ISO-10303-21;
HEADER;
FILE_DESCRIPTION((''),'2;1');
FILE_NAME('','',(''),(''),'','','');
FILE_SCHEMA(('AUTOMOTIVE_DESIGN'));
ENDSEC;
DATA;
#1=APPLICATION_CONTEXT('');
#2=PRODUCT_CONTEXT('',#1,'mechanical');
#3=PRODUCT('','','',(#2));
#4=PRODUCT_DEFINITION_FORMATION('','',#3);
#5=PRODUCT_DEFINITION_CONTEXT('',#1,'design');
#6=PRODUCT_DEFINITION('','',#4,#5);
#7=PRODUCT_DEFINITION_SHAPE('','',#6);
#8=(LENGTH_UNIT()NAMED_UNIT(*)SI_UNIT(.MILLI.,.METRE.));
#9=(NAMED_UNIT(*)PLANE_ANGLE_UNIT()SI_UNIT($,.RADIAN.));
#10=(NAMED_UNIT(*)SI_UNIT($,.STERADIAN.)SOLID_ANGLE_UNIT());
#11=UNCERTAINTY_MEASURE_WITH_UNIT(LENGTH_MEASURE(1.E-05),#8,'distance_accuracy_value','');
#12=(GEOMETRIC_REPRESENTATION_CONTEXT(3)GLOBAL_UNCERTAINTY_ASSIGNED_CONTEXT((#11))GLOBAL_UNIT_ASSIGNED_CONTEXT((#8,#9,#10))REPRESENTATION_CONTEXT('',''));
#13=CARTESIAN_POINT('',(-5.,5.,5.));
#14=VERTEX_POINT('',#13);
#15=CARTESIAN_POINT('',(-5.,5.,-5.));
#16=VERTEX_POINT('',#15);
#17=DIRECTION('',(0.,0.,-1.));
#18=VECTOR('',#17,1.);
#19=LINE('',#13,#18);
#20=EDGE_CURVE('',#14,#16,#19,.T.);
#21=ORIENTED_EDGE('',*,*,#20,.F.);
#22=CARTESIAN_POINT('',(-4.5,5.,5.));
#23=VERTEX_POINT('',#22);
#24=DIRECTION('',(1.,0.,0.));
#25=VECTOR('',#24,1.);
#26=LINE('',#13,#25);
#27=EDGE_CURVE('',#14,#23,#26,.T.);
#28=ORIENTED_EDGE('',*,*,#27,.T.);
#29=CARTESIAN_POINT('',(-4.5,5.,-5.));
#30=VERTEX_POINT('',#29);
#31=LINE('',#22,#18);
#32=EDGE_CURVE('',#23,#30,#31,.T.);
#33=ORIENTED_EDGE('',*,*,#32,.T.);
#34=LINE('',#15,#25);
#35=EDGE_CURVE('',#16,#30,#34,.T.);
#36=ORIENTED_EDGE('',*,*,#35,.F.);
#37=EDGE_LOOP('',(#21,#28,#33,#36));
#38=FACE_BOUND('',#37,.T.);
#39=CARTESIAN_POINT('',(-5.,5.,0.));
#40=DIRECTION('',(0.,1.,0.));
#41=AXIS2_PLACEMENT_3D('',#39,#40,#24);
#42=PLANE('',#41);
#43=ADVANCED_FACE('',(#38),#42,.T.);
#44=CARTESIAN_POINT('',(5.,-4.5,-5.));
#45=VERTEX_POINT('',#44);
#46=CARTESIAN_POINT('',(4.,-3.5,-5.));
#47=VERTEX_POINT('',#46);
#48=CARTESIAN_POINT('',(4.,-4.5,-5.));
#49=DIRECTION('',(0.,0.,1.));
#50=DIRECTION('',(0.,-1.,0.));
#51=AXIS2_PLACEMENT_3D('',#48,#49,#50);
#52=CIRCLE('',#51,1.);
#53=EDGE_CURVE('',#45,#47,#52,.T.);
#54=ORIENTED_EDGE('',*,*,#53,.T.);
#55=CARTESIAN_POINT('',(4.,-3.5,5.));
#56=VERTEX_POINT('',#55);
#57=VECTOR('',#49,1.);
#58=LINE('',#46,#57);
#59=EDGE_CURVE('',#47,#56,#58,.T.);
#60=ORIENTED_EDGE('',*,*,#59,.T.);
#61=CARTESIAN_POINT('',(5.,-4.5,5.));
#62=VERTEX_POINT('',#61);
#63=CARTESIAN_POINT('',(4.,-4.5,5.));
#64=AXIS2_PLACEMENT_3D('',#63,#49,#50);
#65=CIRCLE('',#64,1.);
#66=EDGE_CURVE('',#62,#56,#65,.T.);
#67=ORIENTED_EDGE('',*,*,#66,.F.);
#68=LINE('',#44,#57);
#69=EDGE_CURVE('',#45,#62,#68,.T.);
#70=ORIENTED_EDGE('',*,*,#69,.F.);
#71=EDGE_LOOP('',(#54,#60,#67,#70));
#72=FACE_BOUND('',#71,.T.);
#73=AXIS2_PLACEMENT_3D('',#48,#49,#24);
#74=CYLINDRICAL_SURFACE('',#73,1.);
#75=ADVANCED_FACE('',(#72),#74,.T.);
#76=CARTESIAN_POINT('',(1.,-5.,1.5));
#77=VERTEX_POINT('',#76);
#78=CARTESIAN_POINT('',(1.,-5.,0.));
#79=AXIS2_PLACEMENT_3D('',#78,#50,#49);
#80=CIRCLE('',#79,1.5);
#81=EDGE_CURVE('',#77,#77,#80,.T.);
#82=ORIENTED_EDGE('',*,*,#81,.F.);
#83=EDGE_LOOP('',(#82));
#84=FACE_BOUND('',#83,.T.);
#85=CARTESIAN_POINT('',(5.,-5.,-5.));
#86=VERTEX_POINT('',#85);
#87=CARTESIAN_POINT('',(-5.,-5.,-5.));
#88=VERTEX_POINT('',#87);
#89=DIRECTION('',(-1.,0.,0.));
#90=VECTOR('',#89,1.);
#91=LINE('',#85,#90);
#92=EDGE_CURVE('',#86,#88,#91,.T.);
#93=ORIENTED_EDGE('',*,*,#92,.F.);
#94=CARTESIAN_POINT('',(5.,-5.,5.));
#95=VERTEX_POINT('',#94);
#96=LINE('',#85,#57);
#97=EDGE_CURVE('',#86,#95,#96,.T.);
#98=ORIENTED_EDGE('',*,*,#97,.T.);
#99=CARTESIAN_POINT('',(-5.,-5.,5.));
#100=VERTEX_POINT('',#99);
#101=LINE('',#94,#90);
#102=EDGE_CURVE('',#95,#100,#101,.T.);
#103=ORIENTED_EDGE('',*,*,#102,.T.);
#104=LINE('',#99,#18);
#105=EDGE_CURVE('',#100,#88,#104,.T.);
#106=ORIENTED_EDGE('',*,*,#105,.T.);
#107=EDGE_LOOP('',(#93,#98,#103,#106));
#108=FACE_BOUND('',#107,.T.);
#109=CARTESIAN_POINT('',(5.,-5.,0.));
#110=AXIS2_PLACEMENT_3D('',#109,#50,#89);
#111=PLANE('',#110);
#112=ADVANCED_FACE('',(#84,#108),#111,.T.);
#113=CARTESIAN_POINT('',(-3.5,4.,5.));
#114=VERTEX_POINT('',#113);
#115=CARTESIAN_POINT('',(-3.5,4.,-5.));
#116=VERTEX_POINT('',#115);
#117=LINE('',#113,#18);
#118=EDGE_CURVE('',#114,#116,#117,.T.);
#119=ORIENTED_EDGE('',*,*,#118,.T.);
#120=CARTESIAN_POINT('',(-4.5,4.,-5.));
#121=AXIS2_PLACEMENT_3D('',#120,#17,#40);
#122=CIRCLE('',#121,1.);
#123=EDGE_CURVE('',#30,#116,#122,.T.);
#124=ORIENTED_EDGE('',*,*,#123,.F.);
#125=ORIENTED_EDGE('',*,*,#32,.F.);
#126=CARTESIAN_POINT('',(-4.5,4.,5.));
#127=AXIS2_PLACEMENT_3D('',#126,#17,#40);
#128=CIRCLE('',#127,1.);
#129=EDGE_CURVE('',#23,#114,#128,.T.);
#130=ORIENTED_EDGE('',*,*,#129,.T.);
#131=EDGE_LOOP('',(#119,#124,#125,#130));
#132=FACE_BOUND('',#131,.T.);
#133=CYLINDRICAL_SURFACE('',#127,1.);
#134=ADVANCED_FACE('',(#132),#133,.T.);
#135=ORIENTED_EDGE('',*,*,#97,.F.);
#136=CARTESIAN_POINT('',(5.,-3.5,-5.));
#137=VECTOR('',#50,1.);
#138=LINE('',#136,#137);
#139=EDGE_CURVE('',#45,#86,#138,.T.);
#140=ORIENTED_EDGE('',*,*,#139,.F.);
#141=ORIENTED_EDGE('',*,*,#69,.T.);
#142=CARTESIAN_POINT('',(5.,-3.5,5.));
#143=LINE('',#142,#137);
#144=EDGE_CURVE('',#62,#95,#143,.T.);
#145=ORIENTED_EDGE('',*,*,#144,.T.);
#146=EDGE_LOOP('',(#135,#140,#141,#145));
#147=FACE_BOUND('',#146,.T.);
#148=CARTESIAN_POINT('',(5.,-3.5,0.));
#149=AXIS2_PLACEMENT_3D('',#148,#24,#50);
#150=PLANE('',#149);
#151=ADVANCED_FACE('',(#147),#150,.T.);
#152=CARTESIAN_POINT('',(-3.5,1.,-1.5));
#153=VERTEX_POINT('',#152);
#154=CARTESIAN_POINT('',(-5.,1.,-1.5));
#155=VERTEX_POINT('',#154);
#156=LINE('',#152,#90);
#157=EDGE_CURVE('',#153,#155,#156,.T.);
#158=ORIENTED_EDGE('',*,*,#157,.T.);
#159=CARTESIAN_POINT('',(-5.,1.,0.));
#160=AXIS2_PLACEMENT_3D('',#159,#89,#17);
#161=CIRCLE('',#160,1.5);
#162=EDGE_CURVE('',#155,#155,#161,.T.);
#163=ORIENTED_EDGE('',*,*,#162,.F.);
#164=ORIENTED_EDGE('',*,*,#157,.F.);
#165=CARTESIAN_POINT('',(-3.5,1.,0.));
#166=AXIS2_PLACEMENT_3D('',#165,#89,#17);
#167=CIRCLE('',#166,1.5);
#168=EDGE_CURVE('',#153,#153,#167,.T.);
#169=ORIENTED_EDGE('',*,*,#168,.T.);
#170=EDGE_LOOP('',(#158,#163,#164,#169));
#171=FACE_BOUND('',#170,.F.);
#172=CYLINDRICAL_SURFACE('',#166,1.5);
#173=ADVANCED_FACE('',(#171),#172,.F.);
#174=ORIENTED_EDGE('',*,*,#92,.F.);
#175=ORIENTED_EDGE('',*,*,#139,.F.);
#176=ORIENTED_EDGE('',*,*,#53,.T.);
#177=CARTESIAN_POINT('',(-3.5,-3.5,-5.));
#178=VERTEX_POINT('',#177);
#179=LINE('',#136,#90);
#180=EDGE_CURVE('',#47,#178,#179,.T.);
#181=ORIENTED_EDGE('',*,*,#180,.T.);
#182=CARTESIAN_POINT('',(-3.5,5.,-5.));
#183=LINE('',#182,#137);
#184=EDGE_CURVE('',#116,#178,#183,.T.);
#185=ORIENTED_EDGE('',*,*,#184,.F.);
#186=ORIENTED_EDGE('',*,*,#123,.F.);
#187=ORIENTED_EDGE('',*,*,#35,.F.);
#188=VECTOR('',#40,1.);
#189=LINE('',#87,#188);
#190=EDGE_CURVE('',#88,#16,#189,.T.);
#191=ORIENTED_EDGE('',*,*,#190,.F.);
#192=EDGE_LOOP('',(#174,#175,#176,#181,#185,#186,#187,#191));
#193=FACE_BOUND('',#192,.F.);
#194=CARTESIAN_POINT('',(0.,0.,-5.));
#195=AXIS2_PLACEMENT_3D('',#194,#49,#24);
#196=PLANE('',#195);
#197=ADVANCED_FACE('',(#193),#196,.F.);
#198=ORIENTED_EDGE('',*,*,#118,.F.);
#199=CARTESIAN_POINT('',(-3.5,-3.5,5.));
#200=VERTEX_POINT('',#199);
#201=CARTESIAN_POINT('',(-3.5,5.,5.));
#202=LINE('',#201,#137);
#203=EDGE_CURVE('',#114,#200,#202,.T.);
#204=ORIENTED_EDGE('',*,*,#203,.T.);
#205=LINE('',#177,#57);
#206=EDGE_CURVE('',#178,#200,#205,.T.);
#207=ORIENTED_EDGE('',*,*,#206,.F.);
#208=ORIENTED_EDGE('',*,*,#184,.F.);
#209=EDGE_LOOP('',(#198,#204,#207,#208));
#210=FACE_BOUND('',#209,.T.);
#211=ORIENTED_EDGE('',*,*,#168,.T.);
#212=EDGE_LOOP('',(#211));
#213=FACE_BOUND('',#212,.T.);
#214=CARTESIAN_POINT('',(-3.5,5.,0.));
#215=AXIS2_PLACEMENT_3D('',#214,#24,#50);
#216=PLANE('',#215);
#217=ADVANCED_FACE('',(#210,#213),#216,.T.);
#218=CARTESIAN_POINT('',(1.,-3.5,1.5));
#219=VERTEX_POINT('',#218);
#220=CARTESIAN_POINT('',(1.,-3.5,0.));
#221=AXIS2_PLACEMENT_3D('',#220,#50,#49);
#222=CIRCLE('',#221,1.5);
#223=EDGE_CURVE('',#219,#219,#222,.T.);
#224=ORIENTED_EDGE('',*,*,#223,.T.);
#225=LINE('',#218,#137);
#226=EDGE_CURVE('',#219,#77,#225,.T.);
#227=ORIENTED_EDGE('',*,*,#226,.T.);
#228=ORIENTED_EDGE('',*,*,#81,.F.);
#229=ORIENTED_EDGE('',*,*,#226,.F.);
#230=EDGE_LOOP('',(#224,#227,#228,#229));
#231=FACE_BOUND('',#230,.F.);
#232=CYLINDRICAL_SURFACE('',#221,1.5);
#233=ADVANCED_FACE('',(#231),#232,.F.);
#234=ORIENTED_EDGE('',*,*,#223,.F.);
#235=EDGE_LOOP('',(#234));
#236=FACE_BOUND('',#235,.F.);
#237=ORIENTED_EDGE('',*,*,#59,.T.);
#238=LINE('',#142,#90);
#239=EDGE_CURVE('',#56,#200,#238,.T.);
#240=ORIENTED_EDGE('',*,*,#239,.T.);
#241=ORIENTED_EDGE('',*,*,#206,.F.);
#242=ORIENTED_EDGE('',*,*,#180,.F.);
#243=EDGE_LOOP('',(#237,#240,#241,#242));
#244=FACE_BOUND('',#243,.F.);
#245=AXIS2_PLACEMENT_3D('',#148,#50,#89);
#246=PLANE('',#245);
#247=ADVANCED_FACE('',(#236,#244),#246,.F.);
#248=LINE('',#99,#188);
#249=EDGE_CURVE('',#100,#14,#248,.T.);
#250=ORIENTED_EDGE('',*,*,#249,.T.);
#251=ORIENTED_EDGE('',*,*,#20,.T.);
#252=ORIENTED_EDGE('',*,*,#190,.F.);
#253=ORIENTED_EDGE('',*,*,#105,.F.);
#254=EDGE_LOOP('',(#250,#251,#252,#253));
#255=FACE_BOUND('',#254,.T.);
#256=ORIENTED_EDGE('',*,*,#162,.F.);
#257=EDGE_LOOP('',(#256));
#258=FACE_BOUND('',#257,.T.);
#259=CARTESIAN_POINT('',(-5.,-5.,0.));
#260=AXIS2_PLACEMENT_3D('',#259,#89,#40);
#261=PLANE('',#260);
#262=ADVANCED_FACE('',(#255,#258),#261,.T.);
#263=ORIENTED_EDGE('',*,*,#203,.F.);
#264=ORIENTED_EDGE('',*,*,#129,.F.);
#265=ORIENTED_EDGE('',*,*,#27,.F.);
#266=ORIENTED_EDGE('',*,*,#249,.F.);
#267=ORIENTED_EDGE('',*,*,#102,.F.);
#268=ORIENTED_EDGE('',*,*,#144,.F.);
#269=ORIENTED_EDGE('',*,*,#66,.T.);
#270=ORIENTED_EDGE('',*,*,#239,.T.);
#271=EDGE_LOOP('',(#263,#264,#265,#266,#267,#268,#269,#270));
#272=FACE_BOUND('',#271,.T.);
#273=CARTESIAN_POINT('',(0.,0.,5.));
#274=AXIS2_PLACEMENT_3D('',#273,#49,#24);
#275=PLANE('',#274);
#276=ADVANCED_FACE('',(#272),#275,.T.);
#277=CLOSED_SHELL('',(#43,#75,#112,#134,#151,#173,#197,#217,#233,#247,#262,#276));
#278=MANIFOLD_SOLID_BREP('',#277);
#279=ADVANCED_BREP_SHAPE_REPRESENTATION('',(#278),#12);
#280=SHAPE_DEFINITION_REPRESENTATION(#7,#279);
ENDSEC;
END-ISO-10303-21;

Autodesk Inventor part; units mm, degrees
ref_plane "YZ Plane" through (0, 0, 0) normal (1, 0, 0) x (0, 1, 0)
ref_plane "XZ Plane" through (0, 0, 0) normal (0, 1, 0) x (-1, 0, 0)
ref_plane "XY Plane" through (0, 0, 0) normal (0, 0, 1) x (1, 0, 0)
sketch "Esboço1" plane through (0, 0, 0) normal (0, 0, 1) x (1, 0, 0)
  line L0 (5, -5) -> (-5, -5)
  line L1 (-5, -5) -> (-5, 5)
  line L2 (-5, 5) -> (-3.5, 5)
  line L3 (5, -3.5) -> (5, -5)
  line L4 (5, -5) -> (-5, 5) construction
  line L5 (-5, -5) -> (5, 5) construction
  line L6 (-3.5, 5) -> (-3.5, -3.5)
  line L7 (5, -3.5) -> (-3.5, -3.5)
  point P0 (0, 0)
  dimension "d0" = 10
  dimension "d1" = 10
  dimension "d2" = 1.5
  dimension "d4" = 5
  dimension "d5" = 5
extrude "Extrusão1" add sketch "Esboço1" along normal mid plane 10
fillet "Arredondamento1" radius 1 2 edges at (-3.5, 5, 0) (5, -3.5, 0)
hole "Furo1" at (1, -3.5, 0) direction (0, -1, 0) diameter 3 end through all
hole "Furo2" at (-3.5, 1, 0) direction (-1, 0, 0) diameter 3 end through all
equation "\"d4\" = 0.5 * d0"
equation "\"d5\" = 0.5 * d1"
properties part number "Cantoneira Gaveta" material "Liga de aço"
